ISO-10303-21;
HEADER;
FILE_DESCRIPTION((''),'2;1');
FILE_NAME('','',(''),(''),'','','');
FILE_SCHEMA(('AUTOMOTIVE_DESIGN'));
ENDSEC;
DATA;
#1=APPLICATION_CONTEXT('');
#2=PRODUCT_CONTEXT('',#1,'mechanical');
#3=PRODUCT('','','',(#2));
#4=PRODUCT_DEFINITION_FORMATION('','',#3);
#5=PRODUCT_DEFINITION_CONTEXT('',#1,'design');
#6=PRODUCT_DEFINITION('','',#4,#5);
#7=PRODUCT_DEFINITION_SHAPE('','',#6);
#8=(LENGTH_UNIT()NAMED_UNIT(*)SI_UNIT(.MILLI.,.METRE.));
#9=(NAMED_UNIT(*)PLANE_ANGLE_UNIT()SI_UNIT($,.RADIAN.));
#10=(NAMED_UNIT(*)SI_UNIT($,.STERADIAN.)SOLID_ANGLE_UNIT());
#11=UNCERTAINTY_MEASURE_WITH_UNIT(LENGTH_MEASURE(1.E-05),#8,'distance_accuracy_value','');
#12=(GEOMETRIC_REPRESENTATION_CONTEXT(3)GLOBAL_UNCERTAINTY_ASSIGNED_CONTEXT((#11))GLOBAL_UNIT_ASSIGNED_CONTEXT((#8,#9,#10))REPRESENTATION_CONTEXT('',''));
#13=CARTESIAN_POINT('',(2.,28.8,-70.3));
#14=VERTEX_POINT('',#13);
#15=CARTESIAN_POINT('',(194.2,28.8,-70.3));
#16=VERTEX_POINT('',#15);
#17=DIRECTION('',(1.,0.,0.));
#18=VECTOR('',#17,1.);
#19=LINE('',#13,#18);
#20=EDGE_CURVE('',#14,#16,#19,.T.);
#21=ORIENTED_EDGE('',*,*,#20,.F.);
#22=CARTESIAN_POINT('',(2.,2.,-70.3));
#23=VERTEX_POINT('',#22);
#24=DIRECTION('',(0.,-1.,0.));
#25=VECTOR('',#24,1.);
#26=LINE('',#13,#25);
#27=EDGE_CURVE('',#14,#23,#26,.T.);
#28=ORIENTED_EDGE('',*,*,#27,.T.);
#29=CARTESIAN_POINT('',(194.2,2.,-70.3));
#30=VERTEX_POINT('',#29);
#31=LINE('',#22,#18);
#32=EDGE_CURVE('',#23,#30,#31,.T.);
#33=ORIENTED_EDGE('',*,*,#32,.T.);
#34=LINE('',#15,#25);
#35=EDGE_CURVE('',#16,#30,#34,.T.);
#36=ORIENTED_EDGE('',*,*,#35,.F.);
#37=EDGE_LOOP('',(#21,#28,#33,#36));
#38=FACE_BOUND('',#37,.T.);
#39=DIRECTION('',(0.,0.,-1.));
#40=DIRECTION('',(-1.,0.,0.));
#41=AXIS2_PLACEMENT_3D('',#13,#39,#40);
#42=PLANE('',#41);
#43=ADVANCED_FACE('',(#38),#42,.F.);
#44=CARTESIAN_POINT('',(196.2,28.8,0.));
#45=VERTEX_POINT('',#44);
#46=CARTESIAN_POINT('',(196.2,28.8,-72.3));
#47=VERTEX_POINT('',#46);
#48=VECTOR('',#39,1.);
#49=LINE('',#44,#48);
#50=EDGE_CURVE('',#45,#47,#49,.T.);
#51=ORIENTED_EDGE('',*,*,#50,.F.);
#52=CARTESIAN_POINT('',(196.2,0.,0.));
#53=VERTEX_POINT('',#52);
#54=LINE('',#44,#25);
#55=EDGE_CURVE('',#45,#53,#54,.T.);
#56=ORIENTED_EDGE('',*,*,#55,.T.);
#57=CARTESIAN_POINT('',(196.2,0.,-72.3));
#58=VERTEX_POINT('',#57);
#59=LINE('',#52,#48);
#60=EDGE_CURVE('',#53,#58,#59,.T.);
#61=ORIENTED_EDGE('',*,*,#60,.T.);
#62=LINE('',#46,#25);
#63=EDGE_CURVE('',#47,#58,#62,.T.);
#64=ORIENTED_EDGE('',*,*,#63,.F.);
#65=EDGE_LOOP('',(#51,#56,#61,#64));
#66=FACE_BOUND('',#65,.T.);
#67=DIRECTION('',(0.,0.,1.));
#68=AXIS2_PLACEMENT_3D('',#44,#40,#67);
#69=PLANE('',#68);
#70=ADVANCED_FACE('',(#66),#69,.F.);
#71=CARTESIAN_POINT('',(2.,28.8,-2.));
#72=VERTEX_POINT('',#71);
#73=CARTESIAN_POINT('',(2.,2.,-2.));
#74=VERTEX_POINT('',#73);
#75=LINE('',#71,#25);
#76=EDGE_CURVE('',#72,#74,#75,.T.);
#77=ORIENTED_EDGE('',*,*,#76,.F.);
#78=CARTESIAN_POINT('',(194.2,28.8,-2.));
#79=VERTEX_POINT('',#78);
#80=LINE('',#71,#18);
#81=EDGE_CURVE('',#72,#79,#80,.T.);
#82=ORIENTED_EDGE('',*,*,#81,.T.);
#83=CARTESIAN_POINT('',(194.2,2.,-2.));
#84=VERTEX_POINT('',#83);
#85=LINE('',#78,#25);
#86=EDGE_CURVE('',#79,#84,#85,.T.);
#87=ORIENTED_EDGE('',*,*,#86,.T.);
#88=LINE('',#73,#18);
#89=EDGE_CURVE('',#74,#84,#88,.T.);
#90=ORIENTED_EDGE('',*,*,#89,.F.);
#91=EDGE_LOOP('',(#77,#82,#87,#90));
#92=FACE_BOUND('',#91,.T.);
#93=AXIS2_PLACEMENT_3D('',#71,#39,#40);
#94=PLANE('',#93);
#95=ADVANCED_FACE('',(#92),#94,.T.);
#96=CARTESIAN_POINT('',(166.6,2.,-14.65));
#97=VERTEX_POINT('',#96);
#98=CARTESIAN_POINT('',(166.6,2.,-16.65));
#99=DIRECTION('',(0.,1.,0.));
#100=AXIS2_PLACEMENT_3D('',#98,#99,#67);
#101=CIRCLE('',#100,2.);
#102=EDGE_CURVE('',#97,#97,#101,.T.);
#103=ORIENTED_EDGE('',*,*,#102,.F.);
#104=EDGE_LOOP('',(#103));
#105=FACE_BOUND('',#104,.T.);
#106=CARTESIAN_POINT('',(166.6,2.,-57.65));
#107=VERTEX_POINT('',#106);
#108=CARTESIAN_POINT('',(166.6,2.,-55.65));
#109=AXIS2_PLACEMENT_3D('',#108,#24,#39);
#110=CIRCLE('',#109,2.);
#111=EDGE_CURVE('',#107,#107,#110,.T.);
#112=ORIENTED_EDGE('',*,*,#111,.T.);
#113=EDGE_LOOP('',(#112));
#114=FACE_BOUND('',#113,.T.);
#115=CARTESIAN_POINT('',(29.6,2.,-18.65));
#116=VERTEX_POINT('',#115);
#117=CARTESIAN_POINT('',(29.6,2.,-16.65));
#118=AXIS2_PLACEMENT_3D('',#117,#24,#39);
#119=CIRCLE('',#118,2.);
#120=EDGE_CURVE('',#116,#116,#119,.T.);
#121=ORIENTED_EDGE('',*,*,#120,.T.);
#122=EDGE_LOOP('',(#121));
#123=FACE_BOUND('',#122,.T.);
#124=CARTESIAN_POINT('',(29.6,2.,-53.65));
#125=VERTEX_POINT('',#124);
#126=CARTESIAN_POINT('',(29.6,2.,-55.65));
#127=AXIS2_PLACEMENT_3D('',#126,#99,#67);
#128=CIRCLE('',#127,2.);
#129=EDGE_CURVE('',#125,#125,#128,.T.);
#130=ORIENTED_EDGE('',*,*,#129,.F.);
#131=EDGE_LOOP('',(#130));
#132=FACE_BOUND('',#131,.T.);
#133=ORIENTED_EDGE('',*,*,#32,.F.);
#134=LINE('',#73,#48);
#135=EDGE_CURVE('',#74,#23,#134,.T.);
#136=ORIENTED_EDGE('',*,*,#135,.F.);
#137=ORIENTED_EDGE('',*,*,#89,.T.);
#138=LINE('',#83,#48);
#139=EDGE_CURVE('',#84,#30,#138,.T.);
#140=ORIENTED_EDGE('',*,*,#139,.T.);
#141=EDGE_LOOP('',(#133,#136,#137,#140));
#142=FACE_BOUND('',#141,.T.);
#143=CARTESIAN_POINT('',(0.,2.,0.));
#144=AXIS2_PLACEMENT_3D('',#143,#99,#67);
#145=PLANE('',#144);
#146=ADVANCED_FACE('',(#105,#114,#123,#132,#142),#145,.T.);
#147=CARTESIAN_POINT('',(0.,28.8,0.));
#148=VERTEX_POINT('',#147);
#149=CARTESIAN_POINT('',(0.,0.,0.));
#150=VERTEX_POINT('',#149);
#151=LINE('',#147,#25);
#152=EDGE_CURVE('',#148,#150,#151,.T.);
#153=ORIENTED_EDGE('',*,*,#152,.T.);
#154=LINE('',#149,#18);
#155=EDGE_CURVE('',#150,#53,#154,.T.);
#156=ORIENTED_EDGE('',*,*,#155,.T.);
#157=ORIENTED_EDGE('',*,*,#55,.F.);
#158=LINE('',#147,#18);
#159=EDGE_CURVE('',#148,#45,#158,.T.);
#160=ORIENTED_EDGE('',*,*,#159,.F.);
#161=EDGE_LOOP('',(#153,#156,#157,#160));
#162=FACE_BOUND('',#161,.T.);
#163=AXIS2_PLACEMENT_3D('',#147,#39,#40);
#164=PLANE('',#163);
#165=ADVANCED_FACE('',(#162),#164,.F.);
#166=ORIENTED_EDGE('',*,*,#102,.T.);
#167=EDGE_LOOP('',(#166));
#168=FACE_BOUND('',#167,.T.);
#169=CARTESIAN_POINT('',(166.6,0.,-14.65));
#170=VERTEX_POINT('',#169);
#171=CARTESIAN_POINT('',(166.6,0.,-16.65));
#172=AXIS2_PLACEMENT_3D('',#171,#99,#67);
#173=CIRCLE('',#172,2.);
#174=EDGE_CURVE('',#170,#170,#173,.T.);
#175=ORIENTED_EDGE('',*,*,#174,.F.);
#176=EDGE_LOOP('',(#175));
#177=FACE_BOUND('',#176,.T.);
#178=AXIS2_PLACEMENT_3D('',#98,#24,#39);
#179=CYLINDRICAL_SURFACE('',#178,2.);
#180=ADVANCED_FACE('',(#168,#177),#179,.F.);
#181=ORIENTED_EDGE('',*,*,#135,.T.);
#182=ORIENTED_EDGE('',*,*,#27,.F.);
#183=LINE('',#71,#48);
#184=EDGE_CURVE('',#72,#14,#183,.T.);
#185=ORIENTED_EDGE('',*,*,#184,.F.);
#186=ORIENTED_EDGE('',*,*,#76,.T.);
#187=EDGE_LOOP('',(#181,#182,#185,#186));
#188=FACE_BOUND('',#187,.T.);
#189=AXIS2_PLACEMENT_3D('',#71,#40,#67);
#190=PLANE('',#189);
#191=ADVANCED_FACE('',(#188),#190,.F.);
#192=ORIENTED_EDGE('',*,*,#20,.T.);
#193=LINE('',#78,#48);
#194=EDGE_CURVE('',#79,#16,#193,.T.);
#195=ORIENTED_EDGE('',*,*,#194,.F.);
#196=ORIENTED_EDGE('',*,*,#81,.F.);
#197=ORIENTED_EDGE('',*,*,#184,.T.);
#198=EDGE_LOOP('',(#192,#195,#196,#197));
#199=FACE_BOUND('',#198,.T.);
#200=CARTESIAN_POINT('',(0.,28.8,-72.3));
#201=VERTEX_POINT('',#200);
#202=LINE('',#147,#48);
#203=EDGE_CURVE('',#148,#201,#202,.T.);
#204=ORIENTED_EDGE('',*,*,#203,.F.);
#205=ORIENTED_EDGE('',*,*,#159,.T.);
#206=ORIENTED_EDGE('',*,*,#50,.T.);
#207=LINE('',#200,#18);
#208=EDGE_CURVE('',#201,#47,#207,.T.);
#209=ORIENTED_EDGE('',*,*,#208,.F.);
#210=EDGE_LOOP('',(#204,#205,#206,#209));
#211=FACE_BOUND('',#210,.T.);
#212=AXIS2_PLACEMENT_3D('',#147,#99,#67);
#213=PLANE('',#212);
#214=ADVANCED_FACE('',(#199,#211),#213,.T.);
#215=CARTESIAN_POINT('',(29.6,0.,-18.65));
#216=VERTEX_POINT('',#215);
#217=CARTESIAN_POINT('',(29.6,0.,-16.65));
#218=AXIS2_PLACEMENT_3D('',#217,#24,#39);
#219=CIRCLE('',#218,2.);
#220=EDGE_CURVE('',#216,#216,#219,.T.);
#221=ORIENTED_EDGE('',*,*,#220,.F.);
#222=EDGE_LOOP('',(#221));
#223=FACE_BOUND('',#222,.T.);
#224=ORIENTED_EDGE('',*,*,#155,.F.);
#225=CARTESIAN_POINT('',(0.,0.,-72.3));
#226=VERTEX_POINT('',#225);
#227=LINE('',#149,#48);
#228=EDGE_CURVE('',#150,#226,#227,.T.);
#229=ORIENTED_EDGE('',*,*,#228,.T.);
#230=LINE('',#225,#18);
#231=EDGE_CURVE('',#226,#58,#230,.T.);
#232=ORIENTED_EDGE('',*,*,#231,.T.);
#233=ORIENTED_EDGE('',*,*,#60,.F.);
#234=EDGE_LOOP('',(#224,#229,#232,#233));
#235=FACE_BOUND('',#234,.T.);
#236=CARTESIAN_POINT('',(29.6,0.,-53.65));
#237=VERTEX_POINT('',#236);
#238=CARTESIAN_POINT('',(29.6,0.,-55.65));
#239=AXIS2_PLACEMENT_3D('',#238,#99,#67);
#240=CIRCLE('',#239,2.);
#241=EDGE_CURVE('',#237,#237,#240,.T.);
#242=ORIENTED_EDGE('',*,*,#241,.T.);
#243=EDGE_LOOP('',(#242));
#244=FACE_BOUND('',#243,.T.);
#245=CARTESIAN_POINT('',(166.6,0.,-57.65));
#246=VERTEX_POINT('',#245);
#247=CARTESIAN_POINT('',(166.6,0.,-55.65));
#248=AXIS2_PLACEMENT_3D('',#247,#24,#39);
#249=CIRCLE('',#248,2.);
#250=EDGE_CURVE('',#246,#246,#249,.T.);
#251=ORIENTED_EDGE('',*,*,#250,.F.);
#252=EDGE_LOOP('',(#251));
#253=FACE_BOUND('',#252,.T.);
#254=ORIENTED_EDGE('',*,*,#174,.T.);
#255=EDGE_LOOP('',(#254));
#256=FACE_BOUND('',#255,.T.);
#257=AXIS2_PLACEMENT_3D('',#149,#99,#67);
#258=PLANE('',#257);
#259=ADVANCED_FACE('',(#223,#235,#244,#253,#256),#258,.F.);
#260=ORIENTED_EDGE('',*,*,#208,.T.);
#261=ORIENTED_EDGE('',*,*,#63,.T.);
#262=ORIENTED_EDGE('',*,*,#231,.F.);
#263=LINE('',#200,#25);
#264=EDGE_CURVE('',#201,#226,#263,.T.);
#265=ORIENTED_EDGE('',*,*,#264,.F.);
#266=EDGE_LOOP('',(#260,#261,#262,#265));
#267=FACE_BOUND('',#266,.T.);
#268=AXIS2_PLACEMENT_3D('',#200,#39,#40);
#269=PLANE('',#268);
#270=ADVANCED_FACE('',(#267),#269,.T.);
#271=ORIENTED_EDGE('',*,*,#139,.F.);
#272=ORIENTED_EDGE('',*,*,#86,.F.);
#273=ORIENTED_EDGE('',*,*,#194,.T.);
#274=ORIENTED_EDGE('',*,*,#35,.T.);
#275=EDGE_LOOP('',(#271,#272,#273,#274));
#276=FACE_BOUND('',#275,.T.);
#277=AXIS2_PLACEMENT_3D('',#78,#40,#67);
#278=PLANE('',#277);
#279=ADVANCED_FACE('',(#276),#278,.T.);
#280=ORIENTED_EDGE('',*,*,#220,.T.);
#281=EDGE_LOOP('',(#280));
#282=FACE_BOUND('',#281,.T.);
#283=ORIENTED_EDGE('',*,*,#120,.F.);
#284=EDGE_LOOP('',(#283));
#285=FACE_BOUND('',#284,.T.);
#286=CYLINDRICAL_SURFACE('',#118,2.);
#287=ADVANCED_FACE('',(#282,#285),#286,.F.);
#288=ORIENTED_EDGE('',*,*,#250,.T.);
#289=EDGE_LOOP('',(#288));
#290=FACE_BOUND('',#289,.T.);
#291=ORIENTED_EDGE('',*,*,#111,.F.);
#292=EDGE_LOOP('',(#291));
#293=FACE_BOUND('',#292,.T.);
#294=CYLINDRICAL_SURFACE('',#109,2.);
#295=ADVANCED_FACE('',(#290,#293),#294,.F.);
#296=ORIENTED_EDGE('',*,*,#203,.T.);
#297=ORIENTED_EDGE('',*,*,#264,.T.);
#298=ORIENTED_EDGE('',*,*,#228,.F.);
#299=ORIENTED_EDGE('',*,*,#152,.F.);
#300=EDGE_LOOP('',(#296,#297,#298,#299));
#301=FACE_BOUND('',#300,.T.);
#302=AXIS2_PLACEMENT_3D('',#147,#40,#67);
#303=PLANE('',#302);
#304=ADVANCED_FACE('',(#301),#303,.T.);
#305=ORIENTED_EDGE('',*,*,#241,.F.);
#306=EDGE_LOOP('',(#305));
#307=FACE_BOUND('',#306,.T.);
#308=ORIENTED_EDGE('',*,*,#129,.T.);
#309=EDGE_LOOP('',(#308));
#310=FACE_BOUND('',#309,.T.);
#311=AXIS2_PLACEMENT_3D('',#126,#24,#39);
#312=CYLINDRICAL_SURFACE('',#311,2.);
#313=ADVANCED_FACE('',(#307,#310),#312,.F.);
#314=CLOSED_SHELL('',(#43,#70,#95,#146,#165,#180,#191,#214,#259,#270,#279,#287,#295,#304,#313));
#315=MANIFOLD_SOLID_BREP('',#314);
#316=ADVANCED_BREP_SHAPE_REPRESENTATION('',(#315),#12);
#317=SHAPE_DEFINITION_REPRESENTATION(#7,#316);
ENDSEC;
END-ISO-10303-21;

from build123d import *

# Parameters (mm, degrees)
ESQUISSE1_W        = 196.2
ESQUISSE1_H        = 72.3
ESQUISSE1_W_2      = 192.2
ESQUISSE1_H_2      = 68.3
BOSS_EXTRU_1_DEPTH = 28.8
ESQUISSE1_3_W      = 192.2
ESQUISSE1_3_H      = 68.3
ESQUISSE1_3_R      = 2
BOSS_EXTRU_2_DEPTH = 2


with BuildPart() as part:
    # Esquisse1 → Boss.-Extru.1 (new body)
    with BuildSketch(Plane(origin=(0, 0, 0), x_dir=(1, 0, 0), z_dir=(0, 1, 0))):
        with Locations((98.1, 36.15)):
            Rectangle(ESQUISSE1_W, ESQUISSE1_H)
        with Locations((98.1, 36.15)):
            Rectangle(ESQUISSE1_W_2, ESQUISSE1_H_2, mode=Mode.SUBTRACT)
    extrude(amount=BOSS_EXTRU_1_DEPTH)

    # Esquisse1<3> → Boss.-Extru.2 (add)
    with BuildSketch(Plane(origin=(0, 0, 0), x_dir=(1, 0, 0), z_dir=(0, 1, 0))):
        with Locations((98.1, 36.15)):
            Rectangle(ESQUISSE1_3_W, ESQUISSE1_3_H)
        with Locations(Location((29.6, 55.65, 0), (0, 0, 270))):
            Circle(ESQUISSE1_3_R, mode=Mode.SUBTRACT)
        with Locations(Location((29.6, 16.65, 0), (0, 0, 90))):
            Circle(ESQUISSE1_3_R, mode=Mode.SUBTRACT)
        with Locations(Location((166.6, 55.65, 0), (0, 0, 90))):
            Circle(ESQUISSE1_3_R, mode=Mode.SUBTRACT)
        with Locations(Location((166.6, 16.65, 0), (0, 0, 270))):
            Circle(ESQUISSE1_3_R, mode=Mode.SUBTRACT)
    extrude(amount=BOSS_EXTRU_2_DEPTH)


solid = part.part
